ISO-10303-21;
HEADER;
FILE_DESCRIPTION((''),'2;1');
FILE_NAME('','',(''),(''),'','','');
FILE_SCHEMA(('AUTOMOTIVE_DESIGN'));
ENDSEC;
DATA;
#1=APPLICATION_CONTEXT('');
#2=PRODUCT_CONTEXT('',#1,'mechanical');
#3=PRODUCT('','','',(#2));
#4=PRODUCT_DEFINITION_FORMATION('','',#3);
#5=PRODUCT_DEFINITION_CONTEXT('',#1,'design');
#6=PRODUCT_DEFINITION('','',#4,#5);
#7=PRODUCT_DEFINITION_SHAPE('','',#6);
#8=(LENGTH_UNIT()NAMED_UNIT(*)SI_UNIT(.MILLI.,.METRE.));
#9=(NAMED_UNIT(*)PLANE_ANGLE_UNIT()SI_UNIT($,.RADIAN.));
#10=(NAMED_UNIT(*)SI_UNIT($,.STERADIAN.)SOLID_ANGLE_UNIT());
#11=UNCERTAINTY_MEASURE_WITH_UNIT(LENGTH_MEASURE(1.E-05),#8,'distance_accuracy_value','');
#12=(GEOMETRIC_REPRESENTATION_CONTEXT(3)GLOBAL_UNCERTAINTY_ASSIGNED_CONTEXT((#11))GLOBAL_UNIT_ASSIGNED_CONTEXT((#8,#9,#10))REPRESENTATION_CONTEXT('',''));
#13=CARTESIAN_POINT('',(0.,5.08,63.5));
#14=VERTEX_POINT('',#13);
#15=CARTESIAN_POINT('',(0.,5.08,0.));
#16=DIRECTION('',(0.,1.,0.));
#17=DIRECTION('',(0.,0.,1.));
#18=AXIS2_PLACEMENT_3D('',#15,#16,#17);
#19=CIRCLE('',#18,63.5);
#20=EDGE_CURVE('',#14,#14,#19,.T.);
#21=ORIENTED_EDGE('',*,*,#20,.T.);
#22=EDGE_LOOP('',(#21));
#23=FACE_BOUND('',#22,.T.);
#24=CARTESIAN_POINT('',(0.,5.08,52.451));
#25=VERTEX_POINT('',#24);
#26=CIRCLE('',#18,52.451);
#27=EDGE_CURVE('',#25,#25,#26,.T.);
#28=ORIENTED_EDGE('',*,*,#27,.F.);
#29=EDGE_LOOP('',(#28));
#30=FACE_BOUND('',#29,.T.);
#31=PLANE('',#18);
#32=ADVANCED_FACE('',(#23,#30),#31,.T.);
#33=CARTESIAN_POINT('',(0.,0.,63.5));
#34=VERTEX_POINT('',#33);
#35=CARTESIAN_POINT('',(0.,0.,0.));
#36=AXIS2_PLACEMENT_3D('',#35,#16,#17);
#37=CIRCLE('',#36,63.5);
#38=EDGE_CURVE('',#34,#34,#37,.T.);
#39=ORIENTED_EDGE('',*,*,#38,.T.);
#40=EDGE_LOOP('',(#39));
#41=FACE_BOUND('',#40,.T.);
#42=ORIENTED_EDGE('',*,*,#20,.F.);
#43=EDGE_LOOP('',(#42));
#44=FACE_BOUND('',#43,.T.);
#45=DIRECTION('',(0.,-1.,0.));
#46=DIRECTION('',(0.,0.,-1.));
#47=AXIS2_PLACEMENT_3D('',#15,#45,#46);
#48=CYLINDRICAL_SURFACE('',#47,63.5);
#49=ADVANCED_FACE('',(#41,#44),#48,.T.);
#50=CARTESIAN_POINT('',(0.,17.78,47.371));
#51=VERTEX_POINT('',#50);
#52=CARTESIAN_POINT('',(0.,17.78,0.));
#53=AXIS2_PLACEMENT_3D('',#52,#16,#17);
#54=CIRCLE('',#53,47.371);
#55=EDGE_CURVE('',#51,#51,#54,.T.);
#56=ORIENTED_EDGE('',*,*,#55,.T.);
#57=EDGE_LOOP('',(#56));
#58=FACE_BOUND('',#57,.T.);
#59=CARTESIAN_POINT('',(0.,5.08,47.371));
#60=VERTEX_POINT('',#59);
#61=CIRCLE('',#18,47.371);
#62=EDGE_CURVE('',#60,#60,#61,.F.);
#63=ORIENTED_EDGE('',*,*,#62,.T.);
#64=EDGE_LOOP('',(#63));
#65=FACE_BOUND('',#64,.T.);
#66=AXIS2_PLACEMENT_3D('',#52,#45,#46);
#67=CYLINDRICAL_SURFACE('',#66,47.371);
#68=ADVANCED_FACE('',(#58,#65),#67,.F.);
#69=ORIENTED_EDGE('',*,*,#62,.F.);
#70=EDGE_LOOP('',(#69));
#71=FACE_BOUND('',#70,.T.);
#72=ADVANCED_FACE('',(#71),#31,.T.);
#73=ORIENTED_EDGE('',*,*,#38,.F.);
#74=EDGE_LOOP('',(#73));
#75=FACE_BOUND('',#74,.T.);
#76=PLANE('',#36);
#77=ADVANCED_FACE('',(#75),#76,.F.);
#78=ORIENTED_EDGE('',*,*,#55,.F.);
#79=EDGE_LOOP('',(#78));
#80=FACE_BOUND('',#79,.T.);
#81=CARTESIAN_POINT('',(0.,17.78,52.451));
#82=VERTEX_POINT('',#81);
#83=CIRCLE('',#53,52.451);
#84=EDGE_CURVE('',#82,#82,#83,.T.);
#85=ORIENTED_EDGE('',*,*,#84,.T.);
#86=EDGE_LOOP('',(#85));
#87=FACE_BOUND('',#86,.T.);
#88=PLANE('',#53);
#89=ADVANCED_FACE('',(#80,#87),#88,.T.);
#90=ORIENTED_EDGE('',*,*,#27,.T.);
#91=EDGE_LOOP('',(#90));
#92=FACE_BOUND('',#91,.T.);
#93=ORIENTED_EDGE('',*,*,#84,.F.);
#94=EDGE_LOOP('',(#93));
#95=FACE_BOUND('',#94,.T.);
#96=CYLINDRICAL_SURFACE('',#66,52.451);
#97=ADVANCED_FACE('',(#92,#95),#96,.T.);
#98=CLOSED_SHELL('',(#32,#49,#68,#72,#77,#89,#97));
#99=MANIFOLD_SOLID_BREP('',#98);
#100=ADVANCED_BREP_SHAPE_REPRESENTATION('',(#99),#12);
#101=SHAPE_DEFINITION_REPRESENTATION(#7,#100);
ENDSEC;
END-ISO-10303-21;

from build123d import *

# Parameters (mm, degrees)
SKETCH1_R           = 63.5
BOSS_EXTRUDE1_DEPTH = 5.08
SKETCH2_R           = 52.451
SKETCH2_R_2         = 47.371
BOSS_EXTRUDE2_DEPTH = 12.7


with BuildPart() as part:
    # Sketch1 → Boss-Extrude1 (new body)
    with BuildSketch(Plane(origin=(0, 0, 0), x_dir=(1, 0, 0), z_dir=(0, 1, 0))):
        with Locations(Location((0, 0, 0), (0, 0, 270))):
            Circle(SKETCH1_R)
    extrude(amount=BOSS_EXTRUDE1_DEPTH)

    # Sketch2 → Boss-Extrude2 (add)
    with BuildSketch(Plane(origin=(0, 5.08, 0), x_dir=(1, 0, 0), z_dir=(0, 1, 0))):
        with Locations(Location((0, 0, 0), (0, 0, 270))):
            Circle(SKETCH2_R)
        with Locations(Location((0, 0, 0), (0, 0, 270))):
            Circle(SKETCH2_R_2, mode=Mode.SUBTRACT)
    extrude(amount=BOSS_EXTRUDE2_DEPTH)


solid = part.part
